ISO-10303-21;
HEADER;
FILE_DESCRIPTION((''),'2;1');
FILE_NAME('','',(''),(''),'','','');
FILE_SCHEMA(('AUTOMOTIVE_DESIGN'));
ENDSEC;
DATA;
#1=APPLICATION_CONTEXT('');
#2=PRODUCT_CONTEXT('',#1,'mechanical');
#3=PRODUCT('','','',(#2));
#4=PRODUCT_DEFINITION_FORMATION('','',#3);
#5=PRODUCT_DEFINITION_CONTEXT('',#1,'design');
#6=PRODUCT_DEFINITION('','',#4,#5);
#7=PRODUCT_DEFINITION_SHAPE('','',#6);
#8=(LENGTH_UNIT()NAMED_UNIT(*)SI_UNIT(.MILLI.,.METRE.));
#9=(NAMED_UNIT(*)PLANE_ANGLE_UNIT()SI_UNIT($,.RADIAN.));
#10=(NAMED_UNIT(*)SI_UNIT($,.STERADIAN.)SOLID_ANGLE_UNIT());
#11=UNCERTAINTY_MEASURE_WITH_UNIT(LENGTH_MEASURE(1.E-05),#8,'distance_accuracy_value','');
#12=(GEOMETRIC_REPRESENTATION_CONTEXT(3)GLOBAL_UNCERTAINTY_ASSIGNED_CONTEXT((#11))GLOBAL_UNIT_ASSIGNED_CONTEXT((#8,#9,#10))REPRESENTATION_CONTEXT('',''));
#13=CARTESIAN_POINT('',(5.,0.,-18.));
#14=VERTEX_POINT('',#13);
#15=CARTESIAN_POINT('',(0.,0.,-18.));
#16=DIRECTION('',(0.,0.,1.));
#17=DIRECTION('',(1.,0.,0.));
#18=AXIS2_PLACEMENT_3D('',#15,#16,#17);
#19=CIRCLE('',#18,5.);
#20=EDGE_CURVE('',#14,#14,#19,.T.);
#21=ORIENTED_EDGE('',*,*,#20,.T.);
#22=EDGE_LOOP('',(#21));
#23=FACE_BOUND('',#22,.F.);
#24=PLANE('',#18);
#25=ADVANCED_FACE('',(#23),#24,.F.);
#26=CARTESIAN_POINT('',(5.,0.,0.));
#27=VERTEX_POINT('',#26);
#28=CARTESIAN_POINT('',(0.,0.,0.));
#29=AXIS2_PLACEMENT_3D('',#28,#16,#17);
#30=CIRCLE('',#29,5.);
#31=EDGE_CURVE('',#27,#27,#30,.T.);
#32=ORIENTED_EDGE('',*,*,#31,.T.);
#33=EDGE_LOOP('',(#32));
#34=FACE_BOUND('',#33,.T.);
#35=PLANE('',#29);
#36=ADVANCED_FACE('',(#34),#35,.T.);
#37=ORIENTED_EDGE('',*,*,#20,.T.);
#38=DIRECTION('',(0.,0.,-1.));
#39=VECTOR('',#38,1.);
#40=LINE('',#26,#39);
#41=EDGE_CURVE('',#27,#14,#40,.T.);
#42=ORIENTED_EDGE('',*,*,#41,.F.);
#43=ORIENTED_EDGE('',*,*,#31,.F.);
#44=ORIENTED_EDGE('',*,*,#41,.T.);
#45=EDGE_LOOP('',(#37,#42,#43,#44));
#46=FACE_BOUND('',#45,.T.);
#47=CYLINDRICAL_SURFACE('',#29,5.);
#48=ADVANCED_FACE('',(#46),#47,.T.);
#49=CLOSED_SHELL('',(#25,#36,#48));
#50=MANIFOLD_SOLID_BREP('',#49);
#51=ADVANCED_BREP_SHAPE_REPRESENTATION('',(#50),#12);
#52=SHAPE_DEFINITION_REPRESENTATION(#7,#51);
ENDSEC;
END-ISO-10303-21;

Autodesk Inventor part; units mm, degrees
ref_plane "YZ Plane" through (0, 0, 0) normal (1, 0, 0) x (0, 1, 0)
ref_plane "XZ Plane" through (0, 0, 0) normal (0, 1, 0) x (-1, 0, 0)
ref_plane "XY Plane" through (0, 0, 0) normal (0, 0, 1) x (1, 0, 0)
sketch "Boceto1" plane through (0, 0, 0) normal (0, 0, 1) x (1, 0, 0)
  circle A0 centre (0, 0) radius 5
  dimension "d0" = 10
extrude "Extrusión1" add sketch "Boceto1" against normal blind 18
equation "\"Radio_pliegue\" = Grosor"
equation "\"Anchura_desahogo_plegado\" = Grosor"
equation "\"Profundidad_desahogo_plegado\" = 0.5 * Grosor"
equation "\"Tamaño_destalonado\" = 4 * Grosor"
equation "\"Remanente_mínimo\" = 2 * Grosor"
equation "\"Radiodetransición\" = Radio_pliegue"
equation "\"Tamaño_de_radio_de_Jacobi\" = Radio_pliegue"
equation "\"TamañoSeparación\" = Grosor"
equation "\"Grosor\" = 0.5"
properties part number "9549"
